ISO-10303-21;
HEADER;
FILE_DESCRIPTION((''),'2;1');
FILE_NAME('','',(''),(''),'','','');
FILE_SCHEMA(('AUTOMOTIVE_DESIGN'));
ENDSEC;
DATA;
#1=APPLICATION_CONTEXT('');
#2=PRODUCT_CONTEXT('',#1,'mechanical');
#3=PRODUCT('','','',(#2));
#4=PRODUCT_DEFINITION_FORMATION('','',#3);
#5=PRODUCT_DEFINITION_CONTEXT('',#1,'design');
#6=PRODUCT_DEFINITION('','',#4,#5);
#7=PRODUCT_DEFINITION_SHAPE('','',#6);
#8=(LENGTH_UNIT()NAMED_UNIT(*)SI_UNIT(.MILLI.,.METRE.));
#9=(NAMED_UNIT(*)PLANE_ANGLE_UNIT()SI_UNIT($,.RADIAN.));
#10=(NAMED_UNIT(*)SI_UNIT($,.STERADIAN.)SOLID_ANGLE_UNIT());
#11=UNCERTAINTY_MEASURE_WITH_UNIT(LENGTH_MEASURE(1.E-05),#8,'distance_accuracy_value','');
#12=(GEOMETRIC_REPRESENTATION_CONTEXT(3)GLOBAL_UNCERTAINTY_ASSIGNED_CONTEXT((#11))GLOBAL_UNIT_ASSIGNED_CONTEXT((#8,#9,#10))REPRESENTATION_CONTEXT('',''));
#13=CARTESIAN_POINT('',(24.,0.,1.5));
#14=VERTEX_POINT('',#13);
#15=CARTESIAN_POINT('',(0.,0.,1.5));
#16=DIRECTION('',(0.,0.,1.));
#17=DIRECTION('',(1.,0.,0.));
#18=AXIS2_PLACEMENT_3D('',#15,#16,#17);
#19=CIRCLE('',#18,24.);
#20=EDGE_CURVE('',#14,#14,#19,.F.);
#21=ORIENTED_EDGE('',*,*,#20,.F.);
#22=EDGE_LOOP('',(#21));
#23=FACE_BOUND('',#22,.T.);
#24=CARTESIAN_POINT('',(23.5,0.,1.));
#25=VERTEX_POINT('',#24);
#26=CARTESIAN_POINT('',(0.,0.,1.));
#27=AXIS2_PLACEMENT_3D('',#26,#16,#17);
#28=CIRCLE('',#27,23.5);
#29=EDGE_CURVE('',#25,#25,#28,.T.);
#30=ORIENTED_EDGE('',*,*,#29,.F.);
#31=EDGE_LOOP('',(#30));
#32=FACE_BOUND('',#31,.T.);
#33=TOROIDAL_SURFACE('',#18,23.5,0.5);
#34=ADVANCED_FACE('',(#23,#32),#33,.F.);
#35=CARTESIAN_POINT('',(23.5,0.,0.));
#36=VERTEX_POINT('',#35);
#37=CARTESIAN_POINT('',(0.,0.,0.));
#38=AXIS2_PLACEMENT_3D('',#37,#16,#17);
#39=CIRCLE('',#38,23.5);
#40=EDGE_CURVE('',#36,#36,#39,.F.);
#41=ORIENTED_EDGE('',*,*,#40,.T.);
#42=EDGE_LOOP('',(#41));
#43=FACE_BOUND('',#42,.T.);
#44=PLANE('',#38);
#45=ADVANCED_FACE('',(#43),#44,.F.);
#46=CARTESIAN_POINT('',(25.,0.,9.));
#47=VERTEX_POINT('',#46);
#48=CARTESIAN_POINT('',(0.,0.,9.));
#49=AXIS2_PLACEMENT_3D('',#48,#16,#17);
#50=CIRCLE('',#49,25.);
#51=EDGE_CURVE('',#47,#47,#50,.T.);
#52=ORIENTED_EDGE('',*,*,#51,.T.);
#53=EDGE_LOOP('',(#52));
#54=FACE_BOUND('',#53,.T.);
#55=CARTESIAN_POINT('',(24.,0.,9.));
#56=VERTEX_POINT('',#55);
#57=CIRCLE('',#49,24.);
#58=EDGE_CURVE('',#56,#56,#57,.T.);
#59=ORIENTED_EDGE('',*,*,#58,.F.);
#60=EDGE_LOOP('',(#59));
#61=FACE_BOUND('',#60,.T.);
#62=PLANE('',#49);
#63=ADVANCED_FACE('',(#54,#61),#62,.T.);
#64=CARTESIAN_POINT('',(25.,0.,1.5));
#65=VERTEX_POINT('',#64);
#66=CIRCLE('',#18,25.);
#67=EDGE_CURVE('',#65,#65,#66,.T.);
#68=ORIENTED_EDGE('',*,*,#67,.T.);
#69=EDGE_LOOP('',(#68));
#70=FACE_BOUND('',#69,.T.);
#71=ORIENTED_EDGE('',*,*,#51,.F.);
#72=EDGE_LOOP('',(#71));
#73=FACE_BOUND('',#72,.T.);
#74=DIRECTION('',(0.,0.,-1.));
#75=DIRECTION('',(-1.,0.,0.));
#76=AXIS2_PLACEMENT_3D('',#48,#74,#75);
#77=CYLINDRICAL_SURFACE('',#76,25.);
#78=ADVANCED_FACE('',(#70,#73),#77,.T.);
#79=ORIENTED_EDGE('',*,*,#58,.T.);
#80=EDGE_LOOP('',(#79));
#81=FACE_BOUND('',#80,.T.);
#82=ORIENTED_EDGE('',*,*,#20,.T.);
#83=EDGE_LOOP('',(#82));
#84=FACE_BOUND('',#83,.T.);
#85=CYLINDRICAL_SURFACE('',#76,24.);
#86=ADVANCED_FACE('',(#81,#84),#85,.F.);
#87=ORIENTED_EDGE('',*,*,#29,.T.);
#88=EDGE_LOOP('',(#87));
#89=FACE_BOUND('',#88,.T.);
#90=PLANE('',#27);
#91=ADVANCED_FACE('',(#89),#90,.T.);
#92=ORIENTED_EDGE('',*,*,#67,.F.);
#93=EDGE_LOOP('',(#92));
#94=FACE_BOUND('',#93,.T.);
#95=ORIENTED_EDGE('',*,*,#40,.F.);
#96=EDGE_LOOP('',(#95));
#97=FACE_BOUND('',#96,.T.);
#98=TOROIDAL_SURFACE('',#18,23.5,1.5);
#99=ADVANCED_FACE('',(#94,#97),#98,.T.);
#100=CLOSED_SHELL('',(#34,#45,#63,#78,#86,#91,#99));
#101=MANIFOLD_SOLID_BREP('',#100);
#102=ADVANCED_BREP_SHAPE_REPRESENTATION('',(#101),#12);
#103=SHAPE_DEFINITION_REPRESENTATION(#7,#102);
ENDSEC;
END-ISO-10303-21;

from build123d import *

# Parameters (mm, degrees)
SKETCH1_R           = 25
BOSS_EXTRUDE1_DEPTH = 9
SHELL1_T            = -1
FILLET1_R           = 0.5
FILLET2_R           = 1.5


with BuildPart() as part:
    # Sketch1 → Boss-Extrude1 (new body)
    with BuildSketch(Plane.XY):
        Circle(SKETCH1_R)
    extrude(amount=BOSS_EXTRUDE1_DEPTH)

    # Shell1
    shell1_openings = [part.faces().sort_by_distance(p)[0] for p in [
        (0, 0, 9),
    ]]
    offset(amount=SHELL1_T, openings=shell1_openings, kind=Kind.INTERSECTION)

    # Fillet1
    fillet1_edges = [part.edges().sort_by_distance(p)[0] for p in [
        (-24, 0, 1),
    ]]
    fillet(fillet1_edges, radius=FILLET1_R)

    # Fillet2
    fillet2_edges = [part.edges().sort_by_distance(p)[0] for p in [
        (-25, 0, 0),
    ]]
    fillet(fillet2_edges, radius=FILLET2_R)


solid = part.part
